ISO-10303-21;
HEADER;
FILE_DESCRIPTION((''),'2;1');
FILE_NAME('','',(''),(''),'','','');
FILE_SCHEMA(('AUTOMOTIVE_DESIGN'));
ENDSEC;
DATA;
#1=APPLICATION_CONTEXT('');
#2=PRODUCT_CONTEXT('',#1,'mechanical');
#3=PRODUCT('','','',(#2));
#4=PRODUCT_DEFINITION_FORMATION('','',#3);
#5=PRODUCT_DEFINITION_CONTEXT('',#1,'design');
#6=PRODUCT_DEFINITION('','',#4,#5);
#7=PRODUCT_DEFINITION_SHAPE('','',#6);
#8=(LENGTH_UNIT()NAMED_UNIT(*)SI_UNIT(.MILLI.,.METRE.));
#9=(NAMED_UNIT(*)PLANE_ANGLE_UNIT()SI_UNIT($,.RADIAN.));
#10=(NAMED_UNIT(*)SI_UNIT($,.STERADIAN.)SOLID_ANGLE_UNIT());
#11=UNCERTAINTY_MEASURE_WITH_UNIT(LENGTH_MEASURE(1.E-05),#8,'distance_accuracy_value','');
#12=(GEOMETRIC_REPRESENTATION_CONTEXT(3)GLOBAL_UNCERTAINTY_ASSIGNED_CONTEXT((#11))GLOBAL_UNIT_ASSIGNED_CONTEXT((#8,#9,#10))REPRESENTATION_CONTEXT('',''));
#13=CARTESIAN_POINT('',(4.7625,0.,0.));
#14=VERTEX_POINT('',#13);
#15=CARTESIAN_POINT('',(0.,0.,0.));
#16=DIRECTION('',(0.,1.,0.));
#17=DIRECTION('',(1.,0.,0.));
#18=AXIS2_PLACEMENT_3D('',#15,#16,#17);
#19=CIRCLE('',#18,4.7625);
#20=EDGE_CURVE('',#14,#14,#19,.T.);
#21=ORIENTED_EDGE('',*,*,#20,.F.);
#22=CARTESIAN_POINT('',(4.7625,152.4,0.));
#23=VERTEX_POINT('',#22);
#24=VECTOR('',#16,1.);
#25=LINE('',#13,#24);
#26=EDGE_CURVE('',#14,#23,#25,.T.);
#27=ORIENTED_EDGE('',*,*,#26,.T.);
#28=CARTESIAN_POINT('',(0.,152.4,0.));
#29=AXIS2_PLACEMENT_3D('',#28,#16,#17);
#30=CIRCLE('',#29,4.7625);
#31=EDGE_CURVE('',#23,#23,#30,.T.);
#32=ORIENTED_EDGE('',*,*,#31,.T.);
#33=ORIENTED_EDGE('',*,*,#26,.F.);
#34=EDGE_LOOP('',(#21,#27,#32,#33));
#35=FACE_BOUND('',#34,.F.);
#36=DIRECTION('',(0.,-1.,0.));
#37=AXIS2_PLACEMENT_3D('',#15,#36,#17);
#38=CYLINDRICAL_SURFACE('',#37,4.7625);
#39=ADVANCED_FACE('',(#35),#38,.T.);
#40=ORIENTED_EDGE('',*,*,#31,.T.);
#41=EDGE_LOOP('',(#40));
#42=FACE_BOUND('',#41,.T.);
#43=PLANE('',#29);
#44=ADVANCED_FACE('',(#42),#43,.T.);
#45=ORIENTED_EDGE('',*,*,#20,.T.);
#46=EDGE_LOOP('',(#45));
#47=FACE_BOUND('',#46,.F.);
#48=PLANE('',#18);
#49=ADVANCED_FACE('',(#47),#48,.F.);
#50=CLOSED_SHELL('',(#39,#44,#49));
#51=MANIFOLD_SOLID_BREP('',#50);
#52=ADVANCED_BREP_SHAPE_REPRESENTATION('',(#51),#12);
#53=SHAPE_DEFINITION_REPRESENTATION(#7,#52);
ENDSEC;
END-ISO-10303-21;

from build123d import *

# Parameters (mm, degrees)
SKETCH1_R           = 4.7625
BOSS_EXTRUDE1_DEPTH = 152.4


with BuildPart() as part:
    # Sketch1 → Boss-Extrude1 (new body)
    with BuildSketch(Plane(origin=(0, 0, 0), x_dir=(1, 0, 0), z_dir=(0, 1, 0))):
        Circle(SKETCH1_R)
    extrude(amount=BOSS_EXTRUDE1_DEPTH)


solid = part.part
